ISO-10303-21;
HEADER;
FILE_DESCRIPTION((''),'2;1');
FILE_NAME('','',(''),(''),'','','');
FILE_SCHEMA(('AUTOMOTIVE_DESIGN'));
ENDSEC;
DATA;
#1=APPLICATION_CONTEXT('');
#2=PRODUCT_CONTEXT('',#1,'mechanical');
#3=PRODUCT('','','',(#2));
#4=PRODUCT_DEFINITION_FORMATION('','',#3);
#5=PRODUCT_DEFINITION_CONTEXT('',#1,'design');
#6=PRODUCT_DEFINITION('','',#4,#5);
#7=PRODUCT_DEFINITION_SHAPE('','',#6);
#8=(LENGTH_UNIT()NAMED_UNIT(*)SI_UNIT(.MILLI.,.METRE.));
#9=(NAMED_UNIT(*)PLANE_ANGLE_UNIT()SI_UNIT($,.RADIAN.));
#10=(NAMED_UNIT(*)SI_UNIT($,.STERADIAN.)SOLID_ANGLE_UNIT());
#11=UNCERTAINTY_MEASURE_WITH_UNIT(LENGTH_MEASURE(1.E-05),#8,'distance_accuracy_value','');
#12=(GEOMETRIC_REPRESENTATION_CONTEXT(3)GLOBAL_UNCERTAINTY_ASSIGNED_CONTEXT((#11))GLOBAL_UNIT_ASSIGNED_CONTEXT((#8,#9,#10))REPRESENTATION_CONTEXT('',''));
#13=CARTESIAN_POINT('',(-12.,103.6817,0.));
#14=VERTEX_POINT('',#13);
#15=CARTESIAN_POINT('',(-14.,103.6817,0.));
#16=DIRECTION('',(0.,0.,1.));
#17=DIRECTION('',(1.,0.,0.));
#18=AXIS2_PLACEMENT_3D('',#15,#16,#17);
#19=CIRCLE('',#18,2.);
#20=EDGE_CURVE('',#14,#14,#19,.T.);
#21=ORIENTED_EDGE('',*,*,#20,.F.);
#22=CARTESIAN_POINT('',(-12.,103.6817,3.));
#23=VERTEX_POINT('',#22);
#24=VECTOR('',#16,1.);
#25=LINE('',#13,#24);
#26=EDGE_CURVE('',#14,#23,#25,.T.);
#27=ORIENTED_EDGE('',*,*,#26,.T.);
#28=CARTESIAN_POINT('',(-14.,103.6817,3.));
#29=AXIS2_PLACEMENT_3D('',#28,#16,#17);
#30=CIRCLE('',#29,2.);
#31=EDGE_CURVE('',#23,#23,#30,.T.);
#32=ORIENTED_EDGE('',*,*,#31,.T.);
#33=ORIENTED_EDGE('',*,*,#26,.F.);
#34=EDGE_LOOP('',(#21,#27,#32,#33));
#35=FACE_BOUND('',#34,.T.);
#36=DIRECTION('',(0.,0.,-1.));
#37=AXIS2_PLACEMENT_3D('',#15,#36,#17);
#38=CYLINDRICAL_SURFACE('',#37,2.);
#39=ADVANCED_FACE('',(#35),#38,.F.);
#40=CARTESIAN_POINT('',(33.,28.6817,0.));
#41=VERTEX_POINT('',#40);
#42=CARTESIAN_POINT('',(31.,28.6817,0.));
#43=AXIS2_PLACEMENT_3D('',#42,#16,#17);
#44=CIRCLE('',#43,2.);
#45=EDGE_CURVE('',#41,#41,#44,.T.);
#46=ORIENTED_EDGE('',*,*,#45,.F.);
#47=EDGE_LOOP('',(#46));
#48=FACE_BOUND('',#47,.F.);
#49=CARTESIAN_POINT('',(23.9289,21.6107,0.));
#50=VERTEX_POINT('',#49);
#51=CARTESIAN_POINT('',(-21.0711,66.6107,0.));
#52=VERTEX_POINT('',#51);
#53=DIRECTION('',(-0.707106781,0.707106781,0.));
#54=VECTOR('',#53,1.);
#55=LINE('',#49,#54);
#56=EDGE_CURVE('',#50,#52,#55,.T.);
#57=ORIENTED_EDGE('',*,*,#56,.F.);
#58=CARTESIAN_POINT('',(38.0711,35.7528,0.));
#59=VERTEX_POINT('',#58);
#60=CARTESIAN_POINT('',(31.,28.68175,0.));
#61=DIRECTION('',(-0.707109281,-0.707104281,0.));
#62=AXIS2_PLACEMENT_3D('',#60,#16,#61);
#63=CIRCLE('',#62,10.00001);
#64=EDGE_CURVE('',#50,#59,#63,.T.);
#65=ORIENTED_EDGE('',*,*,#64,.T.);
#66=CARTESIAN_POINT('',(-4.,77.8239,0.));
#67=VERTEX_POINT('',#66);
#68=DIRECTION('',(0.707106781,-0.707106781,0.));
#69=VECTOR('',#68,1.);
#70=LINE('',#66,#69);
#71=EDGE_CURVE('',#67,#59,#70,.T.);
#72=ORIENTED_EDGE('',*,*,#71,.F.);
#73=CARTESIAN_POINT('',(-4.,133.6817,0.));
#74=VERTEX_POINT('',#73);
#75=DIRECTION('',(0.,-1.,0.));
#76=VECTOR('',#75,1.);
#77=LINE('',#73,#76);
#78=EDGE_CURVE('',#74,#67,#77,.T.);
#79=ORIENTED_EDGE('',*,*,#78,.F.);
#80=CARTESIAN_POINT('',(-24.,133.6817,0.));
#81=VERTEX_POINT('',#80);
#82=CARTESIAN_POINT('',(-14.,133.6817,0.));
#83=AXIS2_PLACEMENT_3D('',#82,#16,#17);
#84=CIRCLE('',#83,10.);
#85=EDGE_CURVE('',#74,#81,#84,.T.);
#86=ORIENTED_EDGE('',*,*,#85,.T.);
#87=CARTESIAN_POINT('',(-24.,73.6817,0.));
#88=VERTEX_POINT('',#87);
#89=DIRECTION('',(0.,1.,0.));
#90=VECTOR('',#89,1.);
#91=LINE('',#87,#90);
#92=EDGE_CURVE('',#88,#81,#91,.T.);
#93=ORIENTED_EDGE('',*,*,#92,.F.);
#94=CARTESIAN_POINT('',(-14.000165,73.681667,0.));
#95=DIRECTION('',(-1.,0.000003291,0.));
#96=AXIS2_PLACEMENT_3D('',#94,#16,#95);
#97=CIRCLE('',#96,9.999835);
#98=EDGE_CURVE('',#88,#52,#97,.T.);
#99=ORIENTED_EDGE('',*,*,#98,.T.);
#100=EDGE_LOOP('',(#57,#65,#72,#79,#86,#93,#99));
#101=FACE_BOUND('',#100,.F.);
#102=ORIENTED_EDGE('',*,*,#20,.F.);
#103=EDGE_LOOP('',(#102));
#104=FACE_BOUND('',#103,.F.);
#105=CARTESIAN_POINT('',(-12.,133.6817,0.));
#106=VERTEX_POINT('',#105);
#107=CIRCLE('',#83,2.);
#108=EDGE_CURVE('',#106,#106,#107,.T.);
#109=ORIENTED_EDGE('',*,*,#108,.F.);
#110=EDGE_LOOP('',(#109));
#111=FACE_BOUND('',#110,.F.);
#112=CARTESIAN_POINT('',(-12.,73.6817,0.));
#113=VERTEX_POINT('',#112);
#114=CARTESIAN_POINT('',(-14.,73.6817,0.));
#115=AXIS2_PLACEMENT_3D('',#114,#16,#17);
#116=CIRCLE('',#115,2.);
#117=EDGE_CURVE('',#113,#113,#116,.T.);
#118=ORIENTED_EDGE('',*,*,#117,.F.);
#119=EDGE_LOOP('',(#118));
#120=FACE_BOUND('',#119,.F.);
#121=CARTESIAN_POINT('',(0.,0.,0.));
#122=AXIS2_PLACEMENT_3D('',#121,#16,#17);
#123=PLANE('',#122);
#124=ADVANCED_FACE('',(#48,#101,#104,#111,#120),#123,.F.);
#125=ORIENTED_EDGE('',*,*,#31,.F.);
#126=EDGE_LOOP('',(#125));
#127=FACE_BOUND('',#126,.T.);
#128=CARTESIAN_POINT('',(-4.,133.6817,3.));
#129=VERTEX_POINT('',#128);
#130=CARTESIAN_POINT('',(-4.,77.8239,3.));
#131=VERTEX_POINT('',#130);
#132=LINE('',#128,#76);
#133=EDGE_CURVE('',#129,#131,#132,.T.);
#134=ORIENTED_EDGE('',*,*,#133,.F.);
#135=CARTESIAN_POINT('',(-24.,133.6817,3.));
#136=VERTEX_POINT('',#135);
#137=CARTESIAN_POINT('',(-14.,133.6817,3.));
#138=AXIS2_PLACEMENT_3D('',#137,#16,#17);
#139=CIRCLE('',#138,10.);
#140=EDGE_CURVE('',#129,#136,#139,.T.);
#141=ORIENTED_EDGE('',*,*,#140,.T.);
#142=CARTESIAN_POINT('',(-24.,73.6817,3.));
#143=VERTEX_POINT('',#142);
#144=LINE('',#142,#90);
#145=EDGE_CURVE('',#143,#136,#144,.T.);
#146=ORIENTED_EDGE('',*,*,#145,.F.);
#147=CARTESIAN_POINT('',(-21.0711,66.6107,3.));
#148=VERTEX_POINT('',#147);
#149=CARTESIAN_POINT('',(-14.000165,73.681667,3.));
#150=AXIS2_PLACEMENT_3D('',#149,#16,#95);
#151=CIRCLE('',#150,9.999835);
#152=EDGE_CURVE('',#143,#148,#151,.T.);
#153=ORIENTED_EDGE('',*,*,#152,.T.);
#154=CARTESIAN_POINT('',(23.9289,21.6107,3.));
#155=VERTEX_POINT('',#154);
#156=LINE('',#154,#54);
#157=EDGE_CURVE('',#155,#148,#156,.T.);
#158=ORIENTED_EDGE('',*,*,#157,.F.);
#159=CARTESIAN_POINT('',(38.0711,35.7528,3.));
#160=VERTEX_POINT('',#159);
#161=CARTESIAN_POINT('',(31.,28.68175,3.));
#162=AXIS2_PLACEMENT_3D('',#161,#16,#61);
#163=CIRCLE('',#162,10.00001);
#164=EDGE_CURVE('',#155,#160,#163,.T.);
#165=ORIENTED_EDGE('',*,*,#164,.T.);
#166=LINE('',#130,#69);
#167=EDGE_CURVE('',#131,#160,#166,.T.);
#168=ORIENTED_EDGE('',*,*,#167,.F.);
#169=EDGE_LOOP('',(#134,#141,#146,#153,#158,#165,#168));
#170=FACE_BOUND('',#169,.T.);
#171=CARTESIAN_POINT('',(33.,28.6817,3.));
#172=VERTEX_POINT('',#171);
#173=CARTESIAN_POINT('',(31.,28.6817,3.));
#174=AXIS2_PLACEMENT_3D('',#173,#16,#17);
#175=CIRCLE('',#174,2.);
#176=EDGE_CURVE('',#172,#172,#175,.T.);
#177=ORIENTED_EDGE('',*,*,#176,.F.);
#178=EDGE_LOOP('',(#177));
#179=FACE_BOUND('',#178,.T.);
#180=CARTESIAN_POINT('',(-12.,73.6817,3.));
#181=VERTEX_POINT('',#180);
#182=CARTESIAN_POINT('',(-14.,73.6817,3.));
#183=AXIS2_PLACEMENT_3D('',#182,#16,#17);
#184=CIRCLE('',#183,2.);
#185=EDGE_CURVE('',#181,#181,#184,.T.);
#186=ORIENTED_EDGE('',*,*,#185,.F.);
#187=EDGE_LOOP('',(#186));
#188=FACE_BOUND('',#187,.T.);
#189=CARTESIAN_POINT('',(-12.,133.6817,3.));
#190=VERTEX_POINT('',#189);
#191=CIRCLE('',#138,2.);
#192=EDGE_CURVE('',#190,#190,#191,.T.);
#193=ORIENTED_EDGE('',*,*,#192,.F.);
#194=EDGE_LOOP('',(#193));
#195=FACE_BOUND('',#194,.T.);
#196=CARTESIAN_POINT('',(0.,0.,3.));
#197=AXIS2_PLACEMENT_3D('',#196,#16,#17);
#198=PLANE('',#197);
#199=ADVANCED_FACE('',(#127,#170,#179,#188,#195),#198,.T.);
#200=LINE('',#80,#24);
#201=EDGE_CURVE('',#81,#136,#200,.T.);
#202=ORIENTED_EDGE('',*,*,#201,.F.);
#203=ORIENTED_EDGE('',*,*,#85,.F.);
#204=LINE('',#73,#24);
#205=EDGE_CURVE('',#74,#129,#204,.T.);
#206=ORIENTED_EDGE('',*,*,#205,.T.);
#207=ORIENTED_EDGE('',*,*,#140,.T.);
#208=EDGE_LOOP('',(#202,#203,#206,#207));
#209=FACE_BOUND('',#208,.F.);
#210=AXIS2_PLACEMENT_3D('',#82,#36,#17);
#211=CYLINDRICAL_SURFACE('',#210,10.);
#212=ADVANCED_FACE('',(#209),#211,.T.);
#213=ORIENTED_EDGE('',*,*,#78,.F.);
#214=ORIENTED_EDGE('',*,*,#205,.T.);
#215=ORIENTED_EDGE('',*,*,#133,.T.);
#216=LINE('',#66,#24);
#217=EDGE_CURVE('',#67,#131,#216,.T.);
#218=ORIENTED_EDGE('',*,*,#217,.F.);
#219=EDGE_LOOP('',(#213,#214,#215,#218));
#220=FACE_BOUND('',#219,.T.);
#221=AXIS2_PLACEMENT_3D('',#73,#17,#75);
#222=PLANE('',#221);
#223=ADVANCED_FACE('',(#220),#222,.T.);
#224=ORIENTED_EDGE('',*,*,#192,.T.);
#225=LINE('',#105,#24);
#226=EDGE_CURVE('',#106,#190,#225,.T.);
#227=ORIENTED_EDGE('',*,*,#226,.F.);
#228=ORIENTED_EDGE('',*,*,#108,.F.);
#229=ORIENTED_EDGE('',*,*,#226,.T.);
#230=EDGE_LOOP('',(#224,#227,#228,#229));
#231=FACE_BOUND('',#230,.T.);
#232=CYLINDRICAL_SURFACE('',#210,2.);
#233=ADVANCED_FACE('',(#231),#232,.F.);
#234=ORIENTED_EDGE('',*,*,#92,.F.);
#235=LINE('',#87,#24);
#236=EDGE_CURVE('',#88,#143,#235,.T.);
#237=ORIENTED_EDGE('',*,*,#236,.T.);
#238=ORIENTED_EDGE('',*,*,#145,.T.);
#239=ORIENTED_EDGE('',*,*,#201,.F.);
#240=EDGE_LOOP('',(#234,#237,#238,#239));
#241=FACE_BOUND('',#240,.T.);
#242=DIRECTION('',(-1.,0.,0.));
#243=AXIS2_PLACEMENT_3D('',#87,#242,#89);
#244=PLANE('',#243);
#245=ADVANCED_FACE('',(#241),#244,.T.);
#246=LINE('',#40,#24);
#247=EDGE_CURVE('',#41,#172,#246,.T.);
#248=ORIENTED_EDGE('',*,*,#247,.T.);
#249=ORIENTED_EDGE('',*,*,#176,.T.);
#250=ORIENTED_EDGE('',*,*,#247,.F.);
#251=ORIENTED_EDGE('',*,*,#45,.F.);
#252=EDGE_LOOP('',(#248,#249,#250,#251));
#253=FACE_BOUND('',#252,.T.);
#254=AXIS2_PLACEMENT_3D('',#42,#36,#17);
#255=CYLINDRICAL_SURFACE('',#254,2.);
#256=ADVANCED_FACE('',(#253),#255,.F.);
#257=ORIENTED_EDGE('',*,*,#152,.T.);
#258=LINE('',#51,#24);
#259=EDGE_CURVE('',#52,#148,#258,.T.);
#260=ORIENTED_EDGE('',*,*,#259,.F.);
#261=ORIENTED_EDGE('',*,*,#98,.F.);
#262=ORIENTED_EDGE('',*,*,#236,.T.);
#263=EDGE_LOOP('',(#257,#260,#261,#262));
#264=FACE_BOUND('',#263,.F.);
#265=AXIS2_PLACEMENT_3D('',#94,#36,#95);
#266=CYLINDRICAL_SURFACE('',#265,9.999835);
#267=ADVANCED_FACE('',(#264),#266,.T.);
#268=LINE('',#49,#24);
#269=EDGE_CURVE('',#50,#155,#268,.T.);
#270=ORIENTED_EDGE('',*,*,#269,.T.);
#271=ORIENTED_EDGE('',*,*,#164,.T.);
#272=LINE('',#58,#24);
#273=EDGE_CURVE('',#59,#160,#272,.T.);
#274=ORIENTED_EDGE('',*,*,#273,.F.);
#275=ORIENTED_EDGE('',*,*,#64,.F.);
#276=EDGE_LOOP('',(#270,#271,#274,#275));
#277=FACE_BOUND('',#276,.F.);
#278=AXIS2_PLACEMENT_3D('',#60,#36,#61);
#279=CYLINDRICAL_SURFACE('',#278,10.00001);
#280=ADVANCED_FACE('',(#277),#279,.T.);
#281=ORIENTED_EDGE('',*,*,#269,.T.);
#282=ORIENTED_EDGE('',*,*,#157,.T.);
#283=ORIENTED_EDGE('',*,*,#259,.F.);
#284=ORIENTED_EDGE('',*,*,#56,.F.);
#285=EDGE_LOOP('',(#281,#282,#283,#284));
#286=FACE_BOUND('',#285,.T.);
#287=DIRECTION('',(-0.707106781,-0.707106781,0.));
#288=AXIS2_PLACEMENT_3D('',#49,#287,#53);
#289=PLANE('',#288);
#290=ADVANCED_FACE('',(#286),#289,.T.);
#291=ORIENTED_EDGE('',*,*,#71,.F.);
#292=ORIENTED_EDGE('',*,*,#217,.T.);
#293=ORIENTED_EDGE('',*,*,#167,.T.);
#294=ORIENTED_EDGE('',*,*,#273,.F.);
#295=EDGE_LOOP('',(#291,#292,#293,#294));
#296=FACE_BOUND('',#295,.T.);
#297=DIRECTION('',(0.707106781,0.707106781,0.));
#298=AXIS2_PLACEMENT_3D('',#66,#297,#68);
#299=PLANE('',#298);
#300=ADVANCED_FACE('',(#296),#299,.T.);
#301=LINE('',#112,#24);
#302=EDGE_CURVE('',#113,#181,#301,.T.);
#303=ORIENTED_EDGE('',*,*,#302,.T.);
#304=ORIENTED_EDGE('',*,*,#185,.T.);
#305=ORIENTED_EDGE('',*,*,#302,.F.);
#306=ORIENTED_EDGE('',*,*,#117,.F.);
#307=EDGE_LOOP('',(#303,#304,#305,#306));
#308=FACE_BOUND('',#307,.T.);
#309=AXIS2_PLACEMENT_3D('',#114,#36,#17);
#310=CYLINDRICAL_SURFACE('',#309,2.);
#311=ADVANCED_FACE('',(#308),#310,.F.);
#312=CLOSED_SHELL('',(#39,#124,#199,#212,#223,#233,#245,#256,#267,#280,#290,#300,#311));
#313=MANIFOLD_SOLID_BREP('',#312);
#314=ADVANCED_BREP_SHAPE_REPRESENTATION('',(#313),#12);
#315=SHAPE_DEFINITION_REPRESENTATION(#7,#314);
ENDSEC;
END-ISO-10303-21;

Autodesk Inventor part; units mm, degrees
ref_plane "YZ Plane" through (0, 0, 0) normal (1, 0, 0) x (0, 1, 0)
ref_plane "XZ Plane" through (0, 0, 0) normal (0, 1, 0) x (-1, 0, 0)
ref_plane "XY Plane" through (0, 0, 0) normal (0, 0, 1) x (1, 0, 0)
sketch "Sketch1" plane through (0, 0, 0) normal (0, 0, 1) x (1, 0, 0)
  line L0 (-24, 73.6817) -> (-24, 133.6817)
  arc A0 (-4, 133.6817) -> (-24, 133.6817) centre (-14, 133.6817) ccw
  line L1 (-4, 133.6817) -> (-4, 77.8239)
  line L2 (-4, 77.8239) -> (38.0711, 35.7528)
  arc A1 (23.9289, 21.6107) -> (38.0711, 35.7528) centre (31, 28.6817) ccw
  line L3 (23.9289, 21.6107) -> (-21.0711, 66.6107)
  arc A2 (-24, 73.6817) -> (-21.0711, 66.6107) centre (-14, 73.6817) ccw
  line L4 (-14, 73.6817) -> (0, 0) construction
  line L5 (0, 0) -> (49.5, 56.3449) construction
  line L6 (39.5, 56.3449) -> (39.5, 116.3449) construction
  arc A3 (59.5, 116.3449) -> (39.5, 116.3449) centre (49.5, 116.3449) ccw construction
  line L7 (59.5, 116.3449) -> (59.5, 60.4871) construction
  line L8 (59.5, 60.4871) -> (101.5711, 18.416) construction
  arc A4 (87.4289, 4.2739) -> (101.5711, 18.416) centre (94.5, 11.3449) ccw construction
  line L9 (87.4289, 4.2739) -> (42.4289, 49.2739) construction
  arc A5 (39.5, 56.3449) -> (42.4289, 49.2739) centre (49.5, 56.3449) ccw construction
  line L10 (31, 28.6817) -> (45, -45) construction
  line L11 (45, -45) -> (94.5, 11.3449) construction
  circle A6 centre (-14, 133.6817) radius 2
  circle A7 centre (-14, 73.6817) radius 2
  circle A8 centre (31, 28.6817) radius 2
  line L12 (-14, 133.6817) -> (-14, 73.6817) construction
  circle A9 centre (-14, 103.6817) radius 2
  dimension "d0" = 10
  dimension "d1" = 24
  dimension "d2" = 63.5
  dimension "d3" = 60
  dimension "d4" = 75
  dimension "d5" = 135
  dimension "d7" = 45
  dimension "d8" = 4
extrude "Extrusion1" add sketch "Sketch1" along normal blind 3
properties part number "clawPanel"
